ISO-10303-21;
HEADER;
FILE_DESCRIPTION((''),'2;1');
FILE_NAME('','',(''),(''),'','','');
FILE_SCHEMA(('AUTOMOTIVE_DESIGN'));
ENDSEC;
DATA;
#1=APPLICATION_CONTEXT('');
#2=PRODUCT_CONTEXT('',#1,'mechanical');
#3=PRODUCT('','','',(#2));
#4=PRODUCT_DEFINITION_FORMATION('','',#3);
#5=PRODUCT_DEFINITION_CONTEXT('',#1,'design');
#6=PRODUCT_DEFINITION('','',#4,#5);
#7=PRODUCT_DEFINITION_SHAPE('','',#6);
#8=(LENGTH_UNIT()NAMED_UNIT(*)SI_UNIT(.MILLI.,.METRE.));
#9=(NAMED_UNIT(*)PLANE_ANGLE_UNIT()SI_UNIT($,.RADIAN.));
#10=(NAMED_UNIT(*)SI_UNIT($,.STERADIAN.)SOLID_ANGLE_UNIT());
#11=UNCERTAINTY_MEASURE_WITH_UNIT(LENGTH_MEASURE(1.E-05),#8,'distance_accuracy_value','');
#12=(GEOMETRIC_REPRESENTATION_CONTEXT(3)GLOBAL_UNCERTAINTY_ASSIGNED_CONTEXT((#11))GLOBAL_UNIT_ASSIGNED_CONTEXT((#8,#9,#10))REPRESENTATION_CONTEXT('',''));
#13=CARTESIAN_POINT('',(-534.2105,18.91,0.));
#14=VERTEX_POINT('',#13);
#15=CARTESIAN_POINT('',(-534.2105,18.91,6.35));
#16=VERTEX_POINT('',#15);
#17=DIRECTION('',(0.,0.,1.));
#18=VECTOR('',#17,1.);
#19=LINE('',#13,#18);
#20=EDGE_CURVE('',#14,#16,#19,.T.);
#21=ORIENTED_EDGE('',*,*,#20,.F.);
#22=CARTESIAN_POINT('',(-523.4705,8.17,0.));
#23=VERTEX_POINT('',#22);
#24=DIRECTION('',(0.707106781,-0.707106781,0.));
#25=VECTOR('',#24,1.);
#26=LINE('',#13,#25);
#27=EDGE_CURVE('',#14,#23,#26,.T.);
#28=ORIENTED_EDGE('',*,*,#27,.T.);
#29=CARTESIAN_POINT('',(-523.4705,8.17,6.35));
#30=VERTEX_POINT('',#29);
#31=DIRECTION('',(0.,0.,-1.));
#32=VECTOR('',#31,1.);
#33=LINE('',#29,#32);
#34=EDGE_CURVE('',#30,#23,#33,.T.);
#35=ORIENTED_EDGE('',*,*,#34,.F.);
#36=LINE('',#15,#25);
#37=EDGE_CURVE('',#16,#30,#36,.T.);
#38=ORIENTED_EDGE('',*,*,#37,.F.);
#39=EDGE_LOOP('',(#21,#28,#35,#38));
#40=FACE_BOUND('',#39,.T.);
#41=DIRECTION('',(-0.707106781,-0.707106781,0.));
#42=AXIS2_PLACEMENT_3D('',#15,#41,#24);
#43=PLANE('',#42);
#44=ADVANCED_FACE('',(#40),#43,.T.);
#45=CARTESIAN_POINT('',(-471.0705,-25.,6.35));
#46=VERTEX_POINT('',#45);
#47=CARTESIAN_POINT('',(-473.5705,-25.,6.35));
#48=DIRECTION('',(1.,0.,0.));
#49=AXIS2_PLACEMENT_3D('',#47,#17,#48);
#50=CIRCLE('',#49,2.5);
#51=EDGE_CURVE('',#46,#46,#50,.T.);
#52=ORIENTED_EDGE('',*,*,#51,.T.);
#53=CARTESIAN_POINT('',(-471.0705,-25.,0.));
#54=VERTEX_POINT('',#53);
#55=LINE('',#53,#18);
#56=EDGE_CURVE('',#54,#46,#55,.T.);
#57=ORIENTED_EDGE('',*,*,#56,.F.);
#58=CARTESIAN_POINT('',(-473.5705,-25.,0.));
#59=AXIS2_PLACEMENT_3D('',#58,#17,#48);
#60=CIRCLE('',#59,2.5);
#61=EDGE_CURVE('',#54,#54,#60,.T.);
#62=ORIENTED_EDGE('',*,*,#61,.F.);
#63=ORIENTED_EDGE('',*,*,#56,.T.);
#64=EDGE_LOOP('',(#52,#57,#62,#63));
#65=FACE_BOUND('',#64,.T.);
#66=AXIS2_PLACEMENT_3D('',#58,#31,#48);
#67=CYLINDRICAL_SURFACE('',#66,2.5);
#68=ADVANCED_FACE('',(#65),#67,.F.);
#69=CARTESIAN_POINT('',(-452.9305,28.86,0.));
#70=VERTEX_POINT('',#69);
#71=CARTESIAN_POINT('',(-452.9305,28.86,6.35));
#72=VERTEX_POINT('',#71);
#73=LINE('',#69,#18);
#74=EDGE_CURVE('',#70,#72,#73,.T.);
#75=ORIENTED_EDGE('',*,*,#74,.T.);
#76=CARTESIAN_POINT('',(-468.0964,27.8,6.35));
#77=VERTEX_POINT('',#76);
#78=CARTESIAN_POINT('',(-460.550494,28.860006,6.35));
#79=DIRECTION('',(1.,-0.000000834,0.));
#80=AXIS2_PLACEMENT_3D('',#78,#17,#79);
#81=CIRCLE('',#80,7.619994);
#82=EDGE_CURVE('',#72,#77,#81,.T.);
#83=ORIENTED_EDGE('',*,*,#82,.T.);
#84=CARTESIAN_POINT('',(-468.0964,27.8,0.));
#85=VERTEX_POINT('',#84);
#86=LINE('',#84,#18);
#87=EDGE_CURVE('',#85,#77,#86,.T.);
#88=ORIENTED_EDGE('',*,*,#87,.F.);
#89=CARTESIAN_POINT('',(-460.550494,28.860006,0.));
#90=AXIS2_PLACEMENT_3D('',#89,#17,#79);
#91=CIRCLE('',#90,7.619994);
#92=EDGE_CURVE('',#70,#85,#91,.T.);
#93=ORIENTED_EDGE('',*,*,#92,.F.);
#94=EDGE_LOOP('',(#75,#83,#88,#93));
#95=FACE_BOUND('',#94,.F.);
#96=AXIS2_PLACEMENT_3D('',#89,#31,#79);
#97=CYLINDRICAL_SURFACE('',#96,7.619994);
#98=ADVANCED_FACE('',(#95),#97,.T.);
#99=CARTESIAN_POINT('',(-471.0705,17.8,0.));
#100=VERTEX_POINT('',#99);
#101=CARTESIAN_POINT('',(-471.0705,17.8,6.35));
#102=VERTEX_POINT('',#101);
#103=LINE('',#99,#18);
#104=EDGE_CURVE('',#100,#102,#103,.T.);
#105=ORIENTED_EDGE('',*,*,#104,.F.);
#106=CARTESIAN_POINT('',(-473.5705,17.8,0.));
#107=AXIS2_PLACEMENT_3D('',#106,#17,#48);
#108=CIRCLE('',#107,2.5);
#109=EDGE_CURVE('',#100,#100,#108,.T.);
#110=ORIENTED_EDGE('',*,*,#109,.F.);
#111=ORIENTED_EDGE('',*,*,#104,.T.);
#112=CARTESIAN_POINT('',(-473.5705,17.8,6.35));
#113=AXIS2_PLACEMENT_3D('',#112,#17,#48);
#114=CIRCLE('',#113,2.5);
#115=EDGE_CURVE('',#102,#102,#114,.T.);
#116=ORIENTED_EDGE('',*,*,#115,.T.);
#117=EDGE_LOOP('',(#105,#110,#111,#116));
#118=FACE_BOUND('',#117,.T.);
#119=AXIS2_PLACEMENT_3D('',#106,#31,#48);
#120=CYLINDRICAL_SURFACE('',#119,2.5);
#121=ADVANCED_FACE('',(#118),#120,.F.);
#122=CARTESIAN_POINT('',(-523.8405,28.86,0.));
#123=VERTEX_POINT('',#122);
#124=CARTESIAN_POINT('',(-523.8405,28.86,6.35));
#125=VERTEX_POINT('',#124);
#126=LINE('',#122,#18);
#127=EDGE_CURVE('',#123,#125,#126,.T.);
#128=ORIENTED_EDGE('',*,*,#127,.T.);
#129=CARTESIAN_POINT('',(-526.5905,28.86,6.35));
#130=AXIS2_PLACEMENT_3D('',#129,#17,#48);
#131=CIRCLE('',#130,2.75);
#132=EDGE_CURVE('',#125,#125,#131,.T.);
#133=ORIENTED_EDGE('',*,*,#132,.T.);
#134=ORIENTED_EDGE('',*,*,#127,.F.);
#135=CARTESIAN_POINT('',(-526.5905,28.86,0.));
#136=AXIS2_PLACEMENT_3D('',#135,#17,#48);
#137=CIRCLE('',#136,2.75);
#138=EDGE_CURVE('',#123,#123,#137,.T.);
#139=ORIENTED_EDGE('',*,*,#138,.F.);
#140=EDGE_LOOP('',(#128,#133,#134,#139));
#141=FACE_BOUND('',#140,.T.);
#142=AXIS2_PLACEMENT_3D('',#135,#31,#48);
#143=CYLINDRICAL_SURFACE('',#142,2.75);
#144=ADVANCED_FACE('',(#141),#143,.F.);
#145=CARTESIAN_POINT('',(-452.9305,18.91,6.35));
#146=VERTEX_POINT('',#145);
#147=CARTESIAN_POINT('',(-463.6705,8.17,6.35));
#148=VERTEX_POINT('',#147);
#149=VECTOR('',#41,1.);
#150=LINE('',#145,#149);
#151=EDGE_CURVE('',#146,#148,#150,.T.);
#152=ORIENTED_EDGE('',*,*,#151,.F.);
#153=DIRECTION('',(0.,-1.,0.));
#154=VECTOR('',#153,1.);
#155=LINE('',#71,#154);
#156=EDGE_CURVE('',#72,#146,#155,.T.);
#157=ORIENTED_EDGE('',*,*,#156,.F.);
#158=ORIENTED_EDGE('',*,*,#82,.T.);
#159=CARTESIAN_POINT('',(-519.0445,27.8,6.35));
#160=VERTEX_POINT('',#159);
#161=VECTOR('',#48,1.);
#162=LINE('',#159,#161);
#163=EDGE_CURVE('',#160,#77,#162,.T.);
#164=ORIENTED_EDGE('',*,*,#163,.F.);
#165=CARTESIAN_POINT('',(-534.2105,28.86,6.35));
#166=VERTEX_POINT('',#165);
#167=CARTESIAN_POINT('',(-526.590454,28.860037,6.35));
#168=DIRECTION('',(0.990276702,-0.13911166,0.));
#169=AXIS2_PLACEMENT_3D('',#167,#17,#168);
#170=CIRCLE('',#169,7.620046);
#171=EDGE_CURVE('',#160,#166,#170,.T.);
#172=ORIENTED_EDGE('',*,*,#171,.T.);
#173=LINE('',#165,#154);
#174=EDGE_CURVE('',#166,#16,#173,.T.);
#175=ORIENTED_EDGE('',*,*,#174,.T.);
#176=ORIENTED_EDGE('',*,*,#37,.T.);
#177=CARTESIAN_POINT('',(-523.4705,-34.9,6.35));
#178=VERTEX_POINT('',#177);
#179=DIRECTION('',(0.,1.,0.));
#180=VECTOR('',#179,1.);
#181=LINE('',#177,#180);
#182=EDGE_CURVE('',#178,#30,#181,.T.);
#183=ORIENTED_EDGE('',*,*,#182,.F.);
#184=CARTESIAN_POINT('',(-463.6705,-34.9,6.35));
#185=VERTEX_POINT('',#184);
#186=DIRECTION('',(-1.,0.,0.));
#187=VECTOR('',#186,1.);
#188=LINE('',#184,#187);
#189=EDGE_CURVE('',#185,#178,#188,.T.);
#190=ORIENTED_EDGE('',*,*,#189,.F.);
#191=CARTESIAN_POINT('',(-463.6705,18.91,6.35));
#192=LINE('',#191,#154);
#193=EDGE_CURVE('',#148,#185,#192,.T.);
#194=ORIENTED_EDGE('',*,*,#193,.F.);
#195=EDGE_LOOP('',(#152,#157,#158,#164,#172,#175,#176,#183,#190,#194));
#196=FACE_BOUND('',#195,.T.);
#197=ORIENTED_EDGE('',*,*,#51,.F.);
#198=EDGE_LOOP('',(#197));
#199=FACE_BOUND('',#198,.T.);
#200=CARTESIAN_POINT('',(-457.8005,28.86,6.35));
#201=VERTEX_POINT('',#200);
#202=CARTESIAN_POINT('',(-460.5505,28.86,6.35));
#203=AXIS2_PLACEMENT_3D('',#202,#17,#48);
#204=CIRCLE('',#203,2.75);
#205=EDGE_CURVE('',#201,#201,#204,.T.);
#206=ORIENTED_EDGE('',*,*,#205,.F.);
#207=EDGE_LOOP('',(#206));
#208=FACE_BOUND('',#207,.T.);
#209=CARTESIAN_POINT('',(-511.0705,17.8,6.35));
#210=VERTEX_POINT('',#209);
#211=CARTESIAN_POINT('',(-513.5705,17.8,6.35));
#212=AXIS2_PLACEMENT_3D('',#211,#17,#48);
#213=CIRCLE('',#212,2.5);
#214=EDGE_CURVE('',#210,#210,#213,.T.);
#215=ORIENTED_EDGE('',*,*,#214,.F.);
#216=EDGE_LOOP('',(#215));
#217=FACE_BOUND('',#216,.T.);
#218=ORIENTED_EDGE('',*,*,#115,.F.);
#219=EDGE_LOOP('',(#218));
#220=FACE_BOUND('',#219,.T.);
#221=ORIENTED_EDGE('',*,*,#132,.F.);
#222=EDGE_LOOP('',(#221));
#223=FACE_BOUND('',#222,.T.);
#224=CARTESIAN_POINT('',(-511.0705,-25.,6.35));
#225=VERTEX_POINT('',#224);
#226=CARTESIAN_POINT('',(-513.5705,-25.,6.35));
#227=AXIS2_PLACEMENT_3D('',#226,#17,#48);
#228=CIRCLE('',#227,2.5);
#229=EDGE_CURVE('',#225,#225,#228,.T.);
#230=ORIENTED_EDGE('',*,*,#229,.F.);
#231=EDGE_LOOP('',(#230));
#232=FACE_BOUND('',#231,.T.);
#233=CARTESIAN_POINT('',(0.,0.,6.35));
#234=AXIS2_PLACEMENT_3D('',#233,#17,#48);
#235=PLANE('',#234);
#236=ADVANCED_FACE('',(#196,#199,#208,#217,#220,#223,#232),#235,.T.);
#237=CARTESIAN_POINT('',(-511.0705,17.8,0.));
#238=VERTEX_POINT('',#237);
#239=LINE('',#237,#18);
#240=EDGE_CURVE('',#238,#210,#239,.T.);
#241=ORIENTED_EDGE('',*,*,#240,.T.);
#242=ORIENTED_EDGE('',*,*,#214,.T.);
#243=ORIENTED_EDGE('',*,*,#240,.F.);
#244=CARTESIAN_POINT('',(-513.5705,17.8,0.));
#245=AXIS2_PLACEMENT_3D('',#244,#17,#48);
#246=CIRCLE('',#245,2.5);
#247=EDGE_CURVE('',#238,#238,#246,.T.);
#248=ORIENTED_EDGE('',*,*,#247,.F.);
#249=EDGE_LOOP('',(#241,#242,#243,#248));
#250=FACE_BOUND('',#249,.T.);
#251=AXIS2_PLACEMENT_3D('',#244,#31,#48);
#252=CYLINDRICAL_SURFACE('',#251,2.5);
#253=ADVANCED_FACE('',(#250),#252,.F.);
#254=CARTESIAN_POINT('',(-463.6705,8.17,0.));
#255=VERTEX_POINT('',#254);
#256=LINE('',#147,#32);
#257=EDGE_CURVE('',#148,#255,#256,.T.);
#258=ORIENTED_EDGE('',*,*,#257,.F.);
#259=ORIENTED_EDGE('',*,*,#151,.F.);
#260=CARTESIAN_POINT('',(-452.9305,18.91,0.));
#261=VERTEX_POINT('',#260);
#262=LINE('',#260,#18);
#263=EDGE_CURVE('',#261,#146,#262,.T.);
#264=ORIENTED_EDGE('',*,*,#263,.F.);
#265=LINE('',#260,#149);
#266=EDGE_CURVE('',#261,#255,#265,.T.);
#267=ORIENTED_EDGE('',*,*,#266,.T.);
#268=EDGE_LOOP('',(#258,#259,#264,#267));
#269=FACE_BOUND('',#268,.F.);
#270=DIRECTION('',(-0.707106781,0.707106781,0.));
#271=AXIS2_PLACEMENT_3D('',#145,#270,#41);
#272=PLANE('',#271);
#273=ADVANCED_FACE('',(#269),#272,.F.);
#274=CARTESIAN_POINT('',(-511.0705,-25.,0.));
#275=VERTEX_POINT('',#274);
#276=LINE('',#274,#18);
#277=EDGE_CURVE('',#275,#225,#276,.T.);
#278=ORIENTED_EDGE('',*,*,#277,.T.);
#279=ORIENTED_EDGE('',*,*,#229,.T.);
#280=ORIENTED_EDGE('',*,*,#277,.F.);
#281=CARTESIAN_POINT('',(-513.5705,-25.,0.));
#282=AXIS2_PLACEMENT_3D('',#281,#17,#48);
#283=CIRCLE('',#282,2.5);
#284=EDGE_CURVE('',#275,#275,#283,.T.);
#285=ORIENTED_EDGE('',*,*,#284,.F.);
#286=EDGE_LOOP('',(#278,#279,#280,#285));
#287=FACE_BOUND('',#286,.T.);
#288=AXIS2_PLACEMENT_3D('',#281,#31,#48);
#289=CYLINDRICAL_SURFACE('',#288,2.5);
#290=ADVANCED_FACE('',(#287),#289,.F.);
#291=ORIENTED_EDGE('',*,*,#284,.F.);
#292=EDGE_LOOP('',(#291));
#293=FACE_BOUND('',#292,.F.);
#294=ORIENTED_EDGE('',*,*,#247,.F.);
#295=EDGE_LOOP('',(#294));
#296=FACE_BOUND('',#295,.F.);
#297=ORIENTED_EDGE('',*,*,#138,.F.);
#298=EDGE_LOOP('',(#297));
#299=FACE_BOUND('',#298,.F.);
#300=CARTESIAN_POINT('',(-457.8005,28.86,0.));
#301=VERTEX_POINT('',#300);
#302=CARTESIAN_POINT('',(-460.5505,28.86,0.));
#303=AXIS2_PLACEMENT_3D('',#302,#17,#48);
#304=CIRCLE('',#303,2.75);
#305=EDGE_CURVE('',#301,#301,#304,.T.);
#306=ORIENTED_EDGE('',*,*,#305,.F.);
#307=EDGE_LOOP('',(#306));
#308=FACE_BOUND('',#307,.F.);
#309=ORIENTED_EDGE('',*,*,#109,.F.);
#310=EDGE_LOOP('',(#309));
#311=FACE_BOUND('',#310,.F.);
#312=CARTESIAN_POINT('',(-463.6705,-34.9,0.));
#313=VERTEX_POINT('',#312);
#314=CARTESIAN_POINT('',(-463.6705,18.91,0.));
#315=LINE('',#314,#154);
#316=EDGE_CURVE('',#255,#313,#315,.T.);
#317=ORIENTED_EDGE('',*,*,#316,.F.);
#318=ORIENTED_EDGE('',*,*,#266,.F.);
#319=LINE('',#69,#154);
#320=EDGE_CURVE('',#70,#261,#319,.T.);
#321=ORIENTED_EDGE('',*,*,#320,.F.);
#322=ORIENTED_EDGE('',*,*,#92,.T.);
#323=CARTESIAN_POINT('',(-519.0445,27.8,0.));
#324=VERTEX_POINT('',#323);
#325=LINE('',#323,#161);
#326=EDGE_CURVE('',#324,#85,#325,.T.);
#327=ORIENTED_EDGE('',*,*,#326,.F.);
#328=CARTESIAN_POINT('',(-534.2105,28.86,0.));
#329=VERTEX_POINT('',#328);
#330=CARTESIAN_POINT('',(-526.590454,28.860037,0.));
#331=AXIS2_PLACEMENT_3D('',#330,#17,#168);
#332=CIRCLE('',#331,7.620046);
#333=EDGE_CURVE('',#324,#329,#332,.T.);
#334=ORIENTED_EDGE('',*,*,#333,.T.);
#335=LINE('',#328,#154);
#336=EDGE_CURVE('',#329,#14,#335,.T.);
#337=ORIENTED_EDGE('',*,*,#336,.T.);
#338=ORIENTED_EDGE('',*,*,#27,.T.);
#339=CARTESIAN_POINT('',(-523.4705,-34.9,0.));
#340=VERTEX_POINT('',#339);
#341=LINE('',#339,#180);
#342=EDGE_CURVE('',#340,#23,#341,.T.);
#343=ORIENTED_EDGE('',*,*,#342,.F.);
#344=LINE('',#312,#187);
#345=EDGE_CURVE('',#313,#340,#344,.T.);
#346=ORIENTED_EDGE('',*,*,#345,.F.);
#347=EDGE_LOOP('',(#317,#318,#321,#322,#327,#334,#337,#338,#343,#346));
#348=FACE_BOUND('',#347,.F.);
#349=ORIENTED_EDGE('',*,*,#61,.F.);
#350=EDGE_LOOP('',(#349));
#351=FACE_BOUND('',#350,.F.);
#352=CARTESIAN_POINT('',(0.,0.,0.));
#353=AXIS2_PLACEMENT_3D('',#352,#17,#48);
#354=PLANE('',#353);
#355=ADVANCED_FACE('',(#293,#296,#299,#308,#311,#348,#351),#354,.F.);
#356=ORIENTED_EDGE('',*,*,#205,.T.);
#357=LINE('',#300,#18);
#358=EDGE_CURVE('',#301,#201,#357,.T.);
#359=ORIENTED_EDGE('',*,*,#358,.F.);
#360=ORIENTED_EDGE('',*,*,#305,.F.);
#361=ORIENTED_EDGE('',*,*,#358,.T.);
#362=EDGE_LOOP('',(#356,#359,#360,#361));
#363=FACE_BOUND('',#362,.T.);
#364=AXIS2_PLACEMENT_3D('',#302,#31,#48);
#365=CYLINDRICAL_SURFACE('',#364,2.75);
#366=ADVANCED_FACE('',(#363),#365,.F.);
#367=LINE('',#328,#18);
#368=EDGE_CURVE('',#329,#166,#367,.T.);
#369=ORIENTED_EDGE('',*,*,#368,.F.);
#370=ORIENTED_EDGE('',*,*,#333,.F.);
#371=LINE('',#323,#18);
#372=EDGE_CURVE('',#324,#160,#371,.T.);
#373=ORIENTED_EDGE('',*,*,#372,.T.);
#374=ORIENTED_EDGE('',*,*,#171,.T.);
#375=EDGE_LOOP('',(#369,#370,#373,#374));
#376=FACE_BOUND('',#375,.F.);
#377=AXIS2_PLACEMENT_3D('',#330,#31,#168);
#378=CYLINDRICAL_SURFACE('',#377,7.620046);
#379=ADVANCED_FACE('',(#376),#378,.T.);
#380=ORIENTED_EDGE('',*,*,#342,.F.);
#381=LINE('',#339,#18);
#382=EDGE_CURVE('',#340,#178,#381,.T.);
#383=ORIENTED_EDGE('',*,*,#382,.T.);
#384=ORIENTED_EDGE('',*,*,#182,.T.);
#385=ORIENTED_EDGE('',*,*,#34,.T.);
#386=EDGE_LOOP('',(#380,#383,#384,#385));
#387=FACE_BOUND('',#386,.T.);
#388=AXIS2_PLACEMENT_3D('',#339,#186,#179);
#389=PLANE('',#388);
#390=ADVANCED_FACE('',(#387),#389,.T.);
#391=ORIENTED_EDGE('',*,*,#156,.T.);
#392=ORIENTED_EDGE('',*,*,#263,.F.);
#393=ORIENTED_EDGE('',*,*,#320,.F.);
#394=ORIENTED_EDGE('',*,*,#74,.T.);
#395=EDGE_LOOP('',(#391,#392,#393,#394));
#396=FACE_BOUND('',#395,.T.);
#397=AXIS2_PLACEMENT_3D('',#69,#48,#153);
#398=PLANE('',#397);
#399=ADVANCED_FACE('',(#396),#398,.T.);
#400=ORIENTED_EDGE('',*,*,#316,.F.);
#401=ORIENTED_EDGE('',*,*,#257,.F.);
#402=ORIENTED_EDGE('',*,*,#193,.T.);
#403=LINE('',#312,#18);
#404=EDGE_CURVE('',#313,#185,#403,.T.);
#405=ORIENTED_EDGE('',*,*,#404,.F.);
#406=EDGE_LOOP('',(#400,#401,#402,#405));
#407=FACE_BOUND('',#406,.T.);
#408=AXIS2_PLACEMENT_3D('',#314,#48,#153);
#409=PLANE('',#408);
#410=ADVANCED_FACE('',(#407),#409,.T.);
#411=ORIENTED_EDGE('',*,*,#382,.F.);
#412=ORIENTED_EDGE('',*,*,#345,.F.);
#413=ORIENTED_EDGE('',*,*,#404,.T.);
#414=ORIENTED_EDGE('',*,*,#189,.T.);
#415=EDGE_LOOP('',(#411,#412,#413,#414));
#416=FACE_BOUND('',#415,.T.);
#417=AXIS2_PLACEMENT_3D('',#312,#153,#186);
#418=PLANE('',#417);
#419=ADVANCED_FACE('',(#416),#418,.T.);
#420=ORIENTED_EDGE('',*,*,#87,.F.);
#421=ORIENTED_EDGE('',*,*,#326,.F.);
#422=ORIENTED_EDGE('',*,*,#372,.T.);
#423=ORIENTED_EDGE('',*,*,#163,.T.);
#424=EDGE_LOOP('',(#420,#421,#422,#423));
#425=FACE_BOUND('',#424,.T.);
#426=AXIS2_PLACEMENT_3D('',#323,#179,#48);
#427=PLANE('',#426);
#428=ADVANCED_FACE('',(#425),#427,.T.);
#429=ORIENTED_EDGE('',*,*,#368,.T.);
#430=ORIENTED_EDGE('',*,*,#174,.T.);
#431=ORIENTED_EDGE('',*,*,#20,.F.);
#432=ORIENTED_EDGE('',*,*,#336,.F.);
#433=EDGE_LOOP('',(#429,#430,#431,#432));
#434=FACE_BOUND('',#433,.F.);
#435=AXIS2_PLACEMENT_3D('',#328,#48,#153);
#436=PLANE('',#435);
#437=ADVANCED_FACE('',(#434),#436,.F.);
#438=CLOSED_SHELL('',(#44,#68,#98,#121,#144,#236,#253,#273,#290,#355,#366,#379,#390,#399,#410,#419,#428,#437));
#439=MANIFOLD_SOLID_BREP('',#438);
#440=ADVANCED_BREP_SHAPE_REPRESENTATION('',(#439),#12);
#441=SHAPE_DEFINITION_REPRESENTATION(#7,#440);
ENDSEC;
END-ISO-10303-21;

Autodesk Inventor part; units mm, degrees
ref_plane "YZ Plane" through (0, 0, 0) normal (1, 0, 0) x (0, 1, 0)
ref_plane "XZ Plane" through (0, 0, 0) normal (0, 1, 0) x (-1, 0, 0)
ref_plane "XY Plane" through (0, 0, 0) normal (0, 0, 1) x (1, 0, 0)
ref_plane "Work Plane1" through (0, 0, 0) normal (0, 0, 1) x (1, 0, 0)
sketch "Sketch1" plane through (0, 0, 0) normal (0, 0, 1) x (1, 0, 0)
  circle A0 centre (-473.5705, 17.8) radius 2.5 projected
  circle A1 centre (-473.5705, 17.8) radius 9.9 construction
  circle A2 centre (-473.5705, -25) radius 2.5 projected
  circle A3 centre (-473.5705, -25) radius 9.9 construction
  line L0 (-473.5705, -25) -> (-473.5705, 17.8) construction
  circle A4 centre (-513.5705, 17.8) radius 2.5 projected
  circle A5 centre (-513.5705, 17.8) radius 9.9 construction
  circle A6 centre (-513.5705, -25) radius 2.5 projected
  circle A7 centre (-513.5705, -25) radius 9.9 construction
  line L1 (-513.5705, 17.8) -> (-513.5705, -25) construction
  line L2 (-513.5705, 17.8) -> (-473.5705, 17.8) construction
  line L3 (-513.5705, -25) -> (-473.5705, -25) construction
  line L4 (-463.6705, 18.91) -> (-463.6705, -34.9)
  line L5 (-463.6705, -34.9) -> (-523.4705, -34.9)
  line L6 (-523.4705, -34.9) -> (-523.4705, 18.91)
  line L7 (-519.0445, 27.8) -> (-468.0964, 27.8)
  line L8 (-463.6705, 27.8) -> (-453.6705, 27.8) construction
  line L9 (-452.9305, 18.91) -> (-463.6705, 18.91)
  line L10 (-534.2105, 28.86) -> (-534.2105, 18.91)
  line L11 (-534.2105, 18.91) -> (-523.4705, 18.91)
  circle A8 centre (-460.5505, 28.86) radius 2.75
  line L12 (-473.5705, -3.6) -> (-408.7211, -3.6) construction
  line L13 (-564.232, 28.86) -> (-376.8573, 28.86) construction
  arc A9 (-452.9305, 28.86) -> (-468.0964, 27.8) centre (-460.5505, 28.86) ccw
  line L14 (-493.5705, 27.8) -> (-493.5705, -34.9) construction
  line L15 (-452.9305, 28.86) -> (-452.9305, 18.91)
  circle A10 centre (-526.5905, 28.86) radius 2.75
  arc A11 (-519.0445, 27.8) -> (-534.2105, 28.86) centre (-526.5905, 28.86) ccw
  point P0 (0, 0)
  point P1 (-514.2552, 27.8)
  point P2 (-534.2105, 10.8915)
  dimension "d2" = 10
  dimension "d14" = 0
  dimension "d16" = 32.46
  dimension "d17" = 33.02
  dimension "d18" = 5.5
  dimension "d19" = 7.62
  dimension "d20" = 8.89
extrude "Extrusion1" add sketch "Sketch1" along normal blind 6.35
sketch "Sketch2" plane through (0, 0, 6.35) normal (0, 0, 1) x (1, 0, 0)
  line L0 (-463.6705, 18.91) -> (-452.9305, 18.91) projected
  line L1 (-452.9305, 18.91) -> (-463.6705, 8.17)
  line L2 (-534.2105, 28.86) -> (-534.2105, 18.91) projected
  line L3 (-534.2105, 18.91) -> (-523.4705, 8.17)
  line L4 (-523.4705, 18.91) -> (-523.4705, -34.9) projected
  line L5 (-534.2105, 18.91) -> (-523.4705, 18.91) projected
  line L6 (-534.2105, 18.91) -> (-523.4705, 18.91)
  line L7 (-523.4705, 8.17) -> (-523.4705, 18.91)
  line L8 (-463.6705, -34.9) -> (-463.6705, 18.91) projected
  line L9 (-463.6705, 8.17) -> (-463.6705, 18.91)
  line L10 (-452.9305, 18.91) -> (-463.6705, 18.91)
  point P0 (0, 0)
  point P1 (-548.4705, 27.8)
  point P2 (-548.4705, 15.264)
  dimension "d6" = 45
extrude "Extrusion2" add sketch "Sketch2" against normal up to surface (6.35 mm away)
properties part number "CarriagePlate"
